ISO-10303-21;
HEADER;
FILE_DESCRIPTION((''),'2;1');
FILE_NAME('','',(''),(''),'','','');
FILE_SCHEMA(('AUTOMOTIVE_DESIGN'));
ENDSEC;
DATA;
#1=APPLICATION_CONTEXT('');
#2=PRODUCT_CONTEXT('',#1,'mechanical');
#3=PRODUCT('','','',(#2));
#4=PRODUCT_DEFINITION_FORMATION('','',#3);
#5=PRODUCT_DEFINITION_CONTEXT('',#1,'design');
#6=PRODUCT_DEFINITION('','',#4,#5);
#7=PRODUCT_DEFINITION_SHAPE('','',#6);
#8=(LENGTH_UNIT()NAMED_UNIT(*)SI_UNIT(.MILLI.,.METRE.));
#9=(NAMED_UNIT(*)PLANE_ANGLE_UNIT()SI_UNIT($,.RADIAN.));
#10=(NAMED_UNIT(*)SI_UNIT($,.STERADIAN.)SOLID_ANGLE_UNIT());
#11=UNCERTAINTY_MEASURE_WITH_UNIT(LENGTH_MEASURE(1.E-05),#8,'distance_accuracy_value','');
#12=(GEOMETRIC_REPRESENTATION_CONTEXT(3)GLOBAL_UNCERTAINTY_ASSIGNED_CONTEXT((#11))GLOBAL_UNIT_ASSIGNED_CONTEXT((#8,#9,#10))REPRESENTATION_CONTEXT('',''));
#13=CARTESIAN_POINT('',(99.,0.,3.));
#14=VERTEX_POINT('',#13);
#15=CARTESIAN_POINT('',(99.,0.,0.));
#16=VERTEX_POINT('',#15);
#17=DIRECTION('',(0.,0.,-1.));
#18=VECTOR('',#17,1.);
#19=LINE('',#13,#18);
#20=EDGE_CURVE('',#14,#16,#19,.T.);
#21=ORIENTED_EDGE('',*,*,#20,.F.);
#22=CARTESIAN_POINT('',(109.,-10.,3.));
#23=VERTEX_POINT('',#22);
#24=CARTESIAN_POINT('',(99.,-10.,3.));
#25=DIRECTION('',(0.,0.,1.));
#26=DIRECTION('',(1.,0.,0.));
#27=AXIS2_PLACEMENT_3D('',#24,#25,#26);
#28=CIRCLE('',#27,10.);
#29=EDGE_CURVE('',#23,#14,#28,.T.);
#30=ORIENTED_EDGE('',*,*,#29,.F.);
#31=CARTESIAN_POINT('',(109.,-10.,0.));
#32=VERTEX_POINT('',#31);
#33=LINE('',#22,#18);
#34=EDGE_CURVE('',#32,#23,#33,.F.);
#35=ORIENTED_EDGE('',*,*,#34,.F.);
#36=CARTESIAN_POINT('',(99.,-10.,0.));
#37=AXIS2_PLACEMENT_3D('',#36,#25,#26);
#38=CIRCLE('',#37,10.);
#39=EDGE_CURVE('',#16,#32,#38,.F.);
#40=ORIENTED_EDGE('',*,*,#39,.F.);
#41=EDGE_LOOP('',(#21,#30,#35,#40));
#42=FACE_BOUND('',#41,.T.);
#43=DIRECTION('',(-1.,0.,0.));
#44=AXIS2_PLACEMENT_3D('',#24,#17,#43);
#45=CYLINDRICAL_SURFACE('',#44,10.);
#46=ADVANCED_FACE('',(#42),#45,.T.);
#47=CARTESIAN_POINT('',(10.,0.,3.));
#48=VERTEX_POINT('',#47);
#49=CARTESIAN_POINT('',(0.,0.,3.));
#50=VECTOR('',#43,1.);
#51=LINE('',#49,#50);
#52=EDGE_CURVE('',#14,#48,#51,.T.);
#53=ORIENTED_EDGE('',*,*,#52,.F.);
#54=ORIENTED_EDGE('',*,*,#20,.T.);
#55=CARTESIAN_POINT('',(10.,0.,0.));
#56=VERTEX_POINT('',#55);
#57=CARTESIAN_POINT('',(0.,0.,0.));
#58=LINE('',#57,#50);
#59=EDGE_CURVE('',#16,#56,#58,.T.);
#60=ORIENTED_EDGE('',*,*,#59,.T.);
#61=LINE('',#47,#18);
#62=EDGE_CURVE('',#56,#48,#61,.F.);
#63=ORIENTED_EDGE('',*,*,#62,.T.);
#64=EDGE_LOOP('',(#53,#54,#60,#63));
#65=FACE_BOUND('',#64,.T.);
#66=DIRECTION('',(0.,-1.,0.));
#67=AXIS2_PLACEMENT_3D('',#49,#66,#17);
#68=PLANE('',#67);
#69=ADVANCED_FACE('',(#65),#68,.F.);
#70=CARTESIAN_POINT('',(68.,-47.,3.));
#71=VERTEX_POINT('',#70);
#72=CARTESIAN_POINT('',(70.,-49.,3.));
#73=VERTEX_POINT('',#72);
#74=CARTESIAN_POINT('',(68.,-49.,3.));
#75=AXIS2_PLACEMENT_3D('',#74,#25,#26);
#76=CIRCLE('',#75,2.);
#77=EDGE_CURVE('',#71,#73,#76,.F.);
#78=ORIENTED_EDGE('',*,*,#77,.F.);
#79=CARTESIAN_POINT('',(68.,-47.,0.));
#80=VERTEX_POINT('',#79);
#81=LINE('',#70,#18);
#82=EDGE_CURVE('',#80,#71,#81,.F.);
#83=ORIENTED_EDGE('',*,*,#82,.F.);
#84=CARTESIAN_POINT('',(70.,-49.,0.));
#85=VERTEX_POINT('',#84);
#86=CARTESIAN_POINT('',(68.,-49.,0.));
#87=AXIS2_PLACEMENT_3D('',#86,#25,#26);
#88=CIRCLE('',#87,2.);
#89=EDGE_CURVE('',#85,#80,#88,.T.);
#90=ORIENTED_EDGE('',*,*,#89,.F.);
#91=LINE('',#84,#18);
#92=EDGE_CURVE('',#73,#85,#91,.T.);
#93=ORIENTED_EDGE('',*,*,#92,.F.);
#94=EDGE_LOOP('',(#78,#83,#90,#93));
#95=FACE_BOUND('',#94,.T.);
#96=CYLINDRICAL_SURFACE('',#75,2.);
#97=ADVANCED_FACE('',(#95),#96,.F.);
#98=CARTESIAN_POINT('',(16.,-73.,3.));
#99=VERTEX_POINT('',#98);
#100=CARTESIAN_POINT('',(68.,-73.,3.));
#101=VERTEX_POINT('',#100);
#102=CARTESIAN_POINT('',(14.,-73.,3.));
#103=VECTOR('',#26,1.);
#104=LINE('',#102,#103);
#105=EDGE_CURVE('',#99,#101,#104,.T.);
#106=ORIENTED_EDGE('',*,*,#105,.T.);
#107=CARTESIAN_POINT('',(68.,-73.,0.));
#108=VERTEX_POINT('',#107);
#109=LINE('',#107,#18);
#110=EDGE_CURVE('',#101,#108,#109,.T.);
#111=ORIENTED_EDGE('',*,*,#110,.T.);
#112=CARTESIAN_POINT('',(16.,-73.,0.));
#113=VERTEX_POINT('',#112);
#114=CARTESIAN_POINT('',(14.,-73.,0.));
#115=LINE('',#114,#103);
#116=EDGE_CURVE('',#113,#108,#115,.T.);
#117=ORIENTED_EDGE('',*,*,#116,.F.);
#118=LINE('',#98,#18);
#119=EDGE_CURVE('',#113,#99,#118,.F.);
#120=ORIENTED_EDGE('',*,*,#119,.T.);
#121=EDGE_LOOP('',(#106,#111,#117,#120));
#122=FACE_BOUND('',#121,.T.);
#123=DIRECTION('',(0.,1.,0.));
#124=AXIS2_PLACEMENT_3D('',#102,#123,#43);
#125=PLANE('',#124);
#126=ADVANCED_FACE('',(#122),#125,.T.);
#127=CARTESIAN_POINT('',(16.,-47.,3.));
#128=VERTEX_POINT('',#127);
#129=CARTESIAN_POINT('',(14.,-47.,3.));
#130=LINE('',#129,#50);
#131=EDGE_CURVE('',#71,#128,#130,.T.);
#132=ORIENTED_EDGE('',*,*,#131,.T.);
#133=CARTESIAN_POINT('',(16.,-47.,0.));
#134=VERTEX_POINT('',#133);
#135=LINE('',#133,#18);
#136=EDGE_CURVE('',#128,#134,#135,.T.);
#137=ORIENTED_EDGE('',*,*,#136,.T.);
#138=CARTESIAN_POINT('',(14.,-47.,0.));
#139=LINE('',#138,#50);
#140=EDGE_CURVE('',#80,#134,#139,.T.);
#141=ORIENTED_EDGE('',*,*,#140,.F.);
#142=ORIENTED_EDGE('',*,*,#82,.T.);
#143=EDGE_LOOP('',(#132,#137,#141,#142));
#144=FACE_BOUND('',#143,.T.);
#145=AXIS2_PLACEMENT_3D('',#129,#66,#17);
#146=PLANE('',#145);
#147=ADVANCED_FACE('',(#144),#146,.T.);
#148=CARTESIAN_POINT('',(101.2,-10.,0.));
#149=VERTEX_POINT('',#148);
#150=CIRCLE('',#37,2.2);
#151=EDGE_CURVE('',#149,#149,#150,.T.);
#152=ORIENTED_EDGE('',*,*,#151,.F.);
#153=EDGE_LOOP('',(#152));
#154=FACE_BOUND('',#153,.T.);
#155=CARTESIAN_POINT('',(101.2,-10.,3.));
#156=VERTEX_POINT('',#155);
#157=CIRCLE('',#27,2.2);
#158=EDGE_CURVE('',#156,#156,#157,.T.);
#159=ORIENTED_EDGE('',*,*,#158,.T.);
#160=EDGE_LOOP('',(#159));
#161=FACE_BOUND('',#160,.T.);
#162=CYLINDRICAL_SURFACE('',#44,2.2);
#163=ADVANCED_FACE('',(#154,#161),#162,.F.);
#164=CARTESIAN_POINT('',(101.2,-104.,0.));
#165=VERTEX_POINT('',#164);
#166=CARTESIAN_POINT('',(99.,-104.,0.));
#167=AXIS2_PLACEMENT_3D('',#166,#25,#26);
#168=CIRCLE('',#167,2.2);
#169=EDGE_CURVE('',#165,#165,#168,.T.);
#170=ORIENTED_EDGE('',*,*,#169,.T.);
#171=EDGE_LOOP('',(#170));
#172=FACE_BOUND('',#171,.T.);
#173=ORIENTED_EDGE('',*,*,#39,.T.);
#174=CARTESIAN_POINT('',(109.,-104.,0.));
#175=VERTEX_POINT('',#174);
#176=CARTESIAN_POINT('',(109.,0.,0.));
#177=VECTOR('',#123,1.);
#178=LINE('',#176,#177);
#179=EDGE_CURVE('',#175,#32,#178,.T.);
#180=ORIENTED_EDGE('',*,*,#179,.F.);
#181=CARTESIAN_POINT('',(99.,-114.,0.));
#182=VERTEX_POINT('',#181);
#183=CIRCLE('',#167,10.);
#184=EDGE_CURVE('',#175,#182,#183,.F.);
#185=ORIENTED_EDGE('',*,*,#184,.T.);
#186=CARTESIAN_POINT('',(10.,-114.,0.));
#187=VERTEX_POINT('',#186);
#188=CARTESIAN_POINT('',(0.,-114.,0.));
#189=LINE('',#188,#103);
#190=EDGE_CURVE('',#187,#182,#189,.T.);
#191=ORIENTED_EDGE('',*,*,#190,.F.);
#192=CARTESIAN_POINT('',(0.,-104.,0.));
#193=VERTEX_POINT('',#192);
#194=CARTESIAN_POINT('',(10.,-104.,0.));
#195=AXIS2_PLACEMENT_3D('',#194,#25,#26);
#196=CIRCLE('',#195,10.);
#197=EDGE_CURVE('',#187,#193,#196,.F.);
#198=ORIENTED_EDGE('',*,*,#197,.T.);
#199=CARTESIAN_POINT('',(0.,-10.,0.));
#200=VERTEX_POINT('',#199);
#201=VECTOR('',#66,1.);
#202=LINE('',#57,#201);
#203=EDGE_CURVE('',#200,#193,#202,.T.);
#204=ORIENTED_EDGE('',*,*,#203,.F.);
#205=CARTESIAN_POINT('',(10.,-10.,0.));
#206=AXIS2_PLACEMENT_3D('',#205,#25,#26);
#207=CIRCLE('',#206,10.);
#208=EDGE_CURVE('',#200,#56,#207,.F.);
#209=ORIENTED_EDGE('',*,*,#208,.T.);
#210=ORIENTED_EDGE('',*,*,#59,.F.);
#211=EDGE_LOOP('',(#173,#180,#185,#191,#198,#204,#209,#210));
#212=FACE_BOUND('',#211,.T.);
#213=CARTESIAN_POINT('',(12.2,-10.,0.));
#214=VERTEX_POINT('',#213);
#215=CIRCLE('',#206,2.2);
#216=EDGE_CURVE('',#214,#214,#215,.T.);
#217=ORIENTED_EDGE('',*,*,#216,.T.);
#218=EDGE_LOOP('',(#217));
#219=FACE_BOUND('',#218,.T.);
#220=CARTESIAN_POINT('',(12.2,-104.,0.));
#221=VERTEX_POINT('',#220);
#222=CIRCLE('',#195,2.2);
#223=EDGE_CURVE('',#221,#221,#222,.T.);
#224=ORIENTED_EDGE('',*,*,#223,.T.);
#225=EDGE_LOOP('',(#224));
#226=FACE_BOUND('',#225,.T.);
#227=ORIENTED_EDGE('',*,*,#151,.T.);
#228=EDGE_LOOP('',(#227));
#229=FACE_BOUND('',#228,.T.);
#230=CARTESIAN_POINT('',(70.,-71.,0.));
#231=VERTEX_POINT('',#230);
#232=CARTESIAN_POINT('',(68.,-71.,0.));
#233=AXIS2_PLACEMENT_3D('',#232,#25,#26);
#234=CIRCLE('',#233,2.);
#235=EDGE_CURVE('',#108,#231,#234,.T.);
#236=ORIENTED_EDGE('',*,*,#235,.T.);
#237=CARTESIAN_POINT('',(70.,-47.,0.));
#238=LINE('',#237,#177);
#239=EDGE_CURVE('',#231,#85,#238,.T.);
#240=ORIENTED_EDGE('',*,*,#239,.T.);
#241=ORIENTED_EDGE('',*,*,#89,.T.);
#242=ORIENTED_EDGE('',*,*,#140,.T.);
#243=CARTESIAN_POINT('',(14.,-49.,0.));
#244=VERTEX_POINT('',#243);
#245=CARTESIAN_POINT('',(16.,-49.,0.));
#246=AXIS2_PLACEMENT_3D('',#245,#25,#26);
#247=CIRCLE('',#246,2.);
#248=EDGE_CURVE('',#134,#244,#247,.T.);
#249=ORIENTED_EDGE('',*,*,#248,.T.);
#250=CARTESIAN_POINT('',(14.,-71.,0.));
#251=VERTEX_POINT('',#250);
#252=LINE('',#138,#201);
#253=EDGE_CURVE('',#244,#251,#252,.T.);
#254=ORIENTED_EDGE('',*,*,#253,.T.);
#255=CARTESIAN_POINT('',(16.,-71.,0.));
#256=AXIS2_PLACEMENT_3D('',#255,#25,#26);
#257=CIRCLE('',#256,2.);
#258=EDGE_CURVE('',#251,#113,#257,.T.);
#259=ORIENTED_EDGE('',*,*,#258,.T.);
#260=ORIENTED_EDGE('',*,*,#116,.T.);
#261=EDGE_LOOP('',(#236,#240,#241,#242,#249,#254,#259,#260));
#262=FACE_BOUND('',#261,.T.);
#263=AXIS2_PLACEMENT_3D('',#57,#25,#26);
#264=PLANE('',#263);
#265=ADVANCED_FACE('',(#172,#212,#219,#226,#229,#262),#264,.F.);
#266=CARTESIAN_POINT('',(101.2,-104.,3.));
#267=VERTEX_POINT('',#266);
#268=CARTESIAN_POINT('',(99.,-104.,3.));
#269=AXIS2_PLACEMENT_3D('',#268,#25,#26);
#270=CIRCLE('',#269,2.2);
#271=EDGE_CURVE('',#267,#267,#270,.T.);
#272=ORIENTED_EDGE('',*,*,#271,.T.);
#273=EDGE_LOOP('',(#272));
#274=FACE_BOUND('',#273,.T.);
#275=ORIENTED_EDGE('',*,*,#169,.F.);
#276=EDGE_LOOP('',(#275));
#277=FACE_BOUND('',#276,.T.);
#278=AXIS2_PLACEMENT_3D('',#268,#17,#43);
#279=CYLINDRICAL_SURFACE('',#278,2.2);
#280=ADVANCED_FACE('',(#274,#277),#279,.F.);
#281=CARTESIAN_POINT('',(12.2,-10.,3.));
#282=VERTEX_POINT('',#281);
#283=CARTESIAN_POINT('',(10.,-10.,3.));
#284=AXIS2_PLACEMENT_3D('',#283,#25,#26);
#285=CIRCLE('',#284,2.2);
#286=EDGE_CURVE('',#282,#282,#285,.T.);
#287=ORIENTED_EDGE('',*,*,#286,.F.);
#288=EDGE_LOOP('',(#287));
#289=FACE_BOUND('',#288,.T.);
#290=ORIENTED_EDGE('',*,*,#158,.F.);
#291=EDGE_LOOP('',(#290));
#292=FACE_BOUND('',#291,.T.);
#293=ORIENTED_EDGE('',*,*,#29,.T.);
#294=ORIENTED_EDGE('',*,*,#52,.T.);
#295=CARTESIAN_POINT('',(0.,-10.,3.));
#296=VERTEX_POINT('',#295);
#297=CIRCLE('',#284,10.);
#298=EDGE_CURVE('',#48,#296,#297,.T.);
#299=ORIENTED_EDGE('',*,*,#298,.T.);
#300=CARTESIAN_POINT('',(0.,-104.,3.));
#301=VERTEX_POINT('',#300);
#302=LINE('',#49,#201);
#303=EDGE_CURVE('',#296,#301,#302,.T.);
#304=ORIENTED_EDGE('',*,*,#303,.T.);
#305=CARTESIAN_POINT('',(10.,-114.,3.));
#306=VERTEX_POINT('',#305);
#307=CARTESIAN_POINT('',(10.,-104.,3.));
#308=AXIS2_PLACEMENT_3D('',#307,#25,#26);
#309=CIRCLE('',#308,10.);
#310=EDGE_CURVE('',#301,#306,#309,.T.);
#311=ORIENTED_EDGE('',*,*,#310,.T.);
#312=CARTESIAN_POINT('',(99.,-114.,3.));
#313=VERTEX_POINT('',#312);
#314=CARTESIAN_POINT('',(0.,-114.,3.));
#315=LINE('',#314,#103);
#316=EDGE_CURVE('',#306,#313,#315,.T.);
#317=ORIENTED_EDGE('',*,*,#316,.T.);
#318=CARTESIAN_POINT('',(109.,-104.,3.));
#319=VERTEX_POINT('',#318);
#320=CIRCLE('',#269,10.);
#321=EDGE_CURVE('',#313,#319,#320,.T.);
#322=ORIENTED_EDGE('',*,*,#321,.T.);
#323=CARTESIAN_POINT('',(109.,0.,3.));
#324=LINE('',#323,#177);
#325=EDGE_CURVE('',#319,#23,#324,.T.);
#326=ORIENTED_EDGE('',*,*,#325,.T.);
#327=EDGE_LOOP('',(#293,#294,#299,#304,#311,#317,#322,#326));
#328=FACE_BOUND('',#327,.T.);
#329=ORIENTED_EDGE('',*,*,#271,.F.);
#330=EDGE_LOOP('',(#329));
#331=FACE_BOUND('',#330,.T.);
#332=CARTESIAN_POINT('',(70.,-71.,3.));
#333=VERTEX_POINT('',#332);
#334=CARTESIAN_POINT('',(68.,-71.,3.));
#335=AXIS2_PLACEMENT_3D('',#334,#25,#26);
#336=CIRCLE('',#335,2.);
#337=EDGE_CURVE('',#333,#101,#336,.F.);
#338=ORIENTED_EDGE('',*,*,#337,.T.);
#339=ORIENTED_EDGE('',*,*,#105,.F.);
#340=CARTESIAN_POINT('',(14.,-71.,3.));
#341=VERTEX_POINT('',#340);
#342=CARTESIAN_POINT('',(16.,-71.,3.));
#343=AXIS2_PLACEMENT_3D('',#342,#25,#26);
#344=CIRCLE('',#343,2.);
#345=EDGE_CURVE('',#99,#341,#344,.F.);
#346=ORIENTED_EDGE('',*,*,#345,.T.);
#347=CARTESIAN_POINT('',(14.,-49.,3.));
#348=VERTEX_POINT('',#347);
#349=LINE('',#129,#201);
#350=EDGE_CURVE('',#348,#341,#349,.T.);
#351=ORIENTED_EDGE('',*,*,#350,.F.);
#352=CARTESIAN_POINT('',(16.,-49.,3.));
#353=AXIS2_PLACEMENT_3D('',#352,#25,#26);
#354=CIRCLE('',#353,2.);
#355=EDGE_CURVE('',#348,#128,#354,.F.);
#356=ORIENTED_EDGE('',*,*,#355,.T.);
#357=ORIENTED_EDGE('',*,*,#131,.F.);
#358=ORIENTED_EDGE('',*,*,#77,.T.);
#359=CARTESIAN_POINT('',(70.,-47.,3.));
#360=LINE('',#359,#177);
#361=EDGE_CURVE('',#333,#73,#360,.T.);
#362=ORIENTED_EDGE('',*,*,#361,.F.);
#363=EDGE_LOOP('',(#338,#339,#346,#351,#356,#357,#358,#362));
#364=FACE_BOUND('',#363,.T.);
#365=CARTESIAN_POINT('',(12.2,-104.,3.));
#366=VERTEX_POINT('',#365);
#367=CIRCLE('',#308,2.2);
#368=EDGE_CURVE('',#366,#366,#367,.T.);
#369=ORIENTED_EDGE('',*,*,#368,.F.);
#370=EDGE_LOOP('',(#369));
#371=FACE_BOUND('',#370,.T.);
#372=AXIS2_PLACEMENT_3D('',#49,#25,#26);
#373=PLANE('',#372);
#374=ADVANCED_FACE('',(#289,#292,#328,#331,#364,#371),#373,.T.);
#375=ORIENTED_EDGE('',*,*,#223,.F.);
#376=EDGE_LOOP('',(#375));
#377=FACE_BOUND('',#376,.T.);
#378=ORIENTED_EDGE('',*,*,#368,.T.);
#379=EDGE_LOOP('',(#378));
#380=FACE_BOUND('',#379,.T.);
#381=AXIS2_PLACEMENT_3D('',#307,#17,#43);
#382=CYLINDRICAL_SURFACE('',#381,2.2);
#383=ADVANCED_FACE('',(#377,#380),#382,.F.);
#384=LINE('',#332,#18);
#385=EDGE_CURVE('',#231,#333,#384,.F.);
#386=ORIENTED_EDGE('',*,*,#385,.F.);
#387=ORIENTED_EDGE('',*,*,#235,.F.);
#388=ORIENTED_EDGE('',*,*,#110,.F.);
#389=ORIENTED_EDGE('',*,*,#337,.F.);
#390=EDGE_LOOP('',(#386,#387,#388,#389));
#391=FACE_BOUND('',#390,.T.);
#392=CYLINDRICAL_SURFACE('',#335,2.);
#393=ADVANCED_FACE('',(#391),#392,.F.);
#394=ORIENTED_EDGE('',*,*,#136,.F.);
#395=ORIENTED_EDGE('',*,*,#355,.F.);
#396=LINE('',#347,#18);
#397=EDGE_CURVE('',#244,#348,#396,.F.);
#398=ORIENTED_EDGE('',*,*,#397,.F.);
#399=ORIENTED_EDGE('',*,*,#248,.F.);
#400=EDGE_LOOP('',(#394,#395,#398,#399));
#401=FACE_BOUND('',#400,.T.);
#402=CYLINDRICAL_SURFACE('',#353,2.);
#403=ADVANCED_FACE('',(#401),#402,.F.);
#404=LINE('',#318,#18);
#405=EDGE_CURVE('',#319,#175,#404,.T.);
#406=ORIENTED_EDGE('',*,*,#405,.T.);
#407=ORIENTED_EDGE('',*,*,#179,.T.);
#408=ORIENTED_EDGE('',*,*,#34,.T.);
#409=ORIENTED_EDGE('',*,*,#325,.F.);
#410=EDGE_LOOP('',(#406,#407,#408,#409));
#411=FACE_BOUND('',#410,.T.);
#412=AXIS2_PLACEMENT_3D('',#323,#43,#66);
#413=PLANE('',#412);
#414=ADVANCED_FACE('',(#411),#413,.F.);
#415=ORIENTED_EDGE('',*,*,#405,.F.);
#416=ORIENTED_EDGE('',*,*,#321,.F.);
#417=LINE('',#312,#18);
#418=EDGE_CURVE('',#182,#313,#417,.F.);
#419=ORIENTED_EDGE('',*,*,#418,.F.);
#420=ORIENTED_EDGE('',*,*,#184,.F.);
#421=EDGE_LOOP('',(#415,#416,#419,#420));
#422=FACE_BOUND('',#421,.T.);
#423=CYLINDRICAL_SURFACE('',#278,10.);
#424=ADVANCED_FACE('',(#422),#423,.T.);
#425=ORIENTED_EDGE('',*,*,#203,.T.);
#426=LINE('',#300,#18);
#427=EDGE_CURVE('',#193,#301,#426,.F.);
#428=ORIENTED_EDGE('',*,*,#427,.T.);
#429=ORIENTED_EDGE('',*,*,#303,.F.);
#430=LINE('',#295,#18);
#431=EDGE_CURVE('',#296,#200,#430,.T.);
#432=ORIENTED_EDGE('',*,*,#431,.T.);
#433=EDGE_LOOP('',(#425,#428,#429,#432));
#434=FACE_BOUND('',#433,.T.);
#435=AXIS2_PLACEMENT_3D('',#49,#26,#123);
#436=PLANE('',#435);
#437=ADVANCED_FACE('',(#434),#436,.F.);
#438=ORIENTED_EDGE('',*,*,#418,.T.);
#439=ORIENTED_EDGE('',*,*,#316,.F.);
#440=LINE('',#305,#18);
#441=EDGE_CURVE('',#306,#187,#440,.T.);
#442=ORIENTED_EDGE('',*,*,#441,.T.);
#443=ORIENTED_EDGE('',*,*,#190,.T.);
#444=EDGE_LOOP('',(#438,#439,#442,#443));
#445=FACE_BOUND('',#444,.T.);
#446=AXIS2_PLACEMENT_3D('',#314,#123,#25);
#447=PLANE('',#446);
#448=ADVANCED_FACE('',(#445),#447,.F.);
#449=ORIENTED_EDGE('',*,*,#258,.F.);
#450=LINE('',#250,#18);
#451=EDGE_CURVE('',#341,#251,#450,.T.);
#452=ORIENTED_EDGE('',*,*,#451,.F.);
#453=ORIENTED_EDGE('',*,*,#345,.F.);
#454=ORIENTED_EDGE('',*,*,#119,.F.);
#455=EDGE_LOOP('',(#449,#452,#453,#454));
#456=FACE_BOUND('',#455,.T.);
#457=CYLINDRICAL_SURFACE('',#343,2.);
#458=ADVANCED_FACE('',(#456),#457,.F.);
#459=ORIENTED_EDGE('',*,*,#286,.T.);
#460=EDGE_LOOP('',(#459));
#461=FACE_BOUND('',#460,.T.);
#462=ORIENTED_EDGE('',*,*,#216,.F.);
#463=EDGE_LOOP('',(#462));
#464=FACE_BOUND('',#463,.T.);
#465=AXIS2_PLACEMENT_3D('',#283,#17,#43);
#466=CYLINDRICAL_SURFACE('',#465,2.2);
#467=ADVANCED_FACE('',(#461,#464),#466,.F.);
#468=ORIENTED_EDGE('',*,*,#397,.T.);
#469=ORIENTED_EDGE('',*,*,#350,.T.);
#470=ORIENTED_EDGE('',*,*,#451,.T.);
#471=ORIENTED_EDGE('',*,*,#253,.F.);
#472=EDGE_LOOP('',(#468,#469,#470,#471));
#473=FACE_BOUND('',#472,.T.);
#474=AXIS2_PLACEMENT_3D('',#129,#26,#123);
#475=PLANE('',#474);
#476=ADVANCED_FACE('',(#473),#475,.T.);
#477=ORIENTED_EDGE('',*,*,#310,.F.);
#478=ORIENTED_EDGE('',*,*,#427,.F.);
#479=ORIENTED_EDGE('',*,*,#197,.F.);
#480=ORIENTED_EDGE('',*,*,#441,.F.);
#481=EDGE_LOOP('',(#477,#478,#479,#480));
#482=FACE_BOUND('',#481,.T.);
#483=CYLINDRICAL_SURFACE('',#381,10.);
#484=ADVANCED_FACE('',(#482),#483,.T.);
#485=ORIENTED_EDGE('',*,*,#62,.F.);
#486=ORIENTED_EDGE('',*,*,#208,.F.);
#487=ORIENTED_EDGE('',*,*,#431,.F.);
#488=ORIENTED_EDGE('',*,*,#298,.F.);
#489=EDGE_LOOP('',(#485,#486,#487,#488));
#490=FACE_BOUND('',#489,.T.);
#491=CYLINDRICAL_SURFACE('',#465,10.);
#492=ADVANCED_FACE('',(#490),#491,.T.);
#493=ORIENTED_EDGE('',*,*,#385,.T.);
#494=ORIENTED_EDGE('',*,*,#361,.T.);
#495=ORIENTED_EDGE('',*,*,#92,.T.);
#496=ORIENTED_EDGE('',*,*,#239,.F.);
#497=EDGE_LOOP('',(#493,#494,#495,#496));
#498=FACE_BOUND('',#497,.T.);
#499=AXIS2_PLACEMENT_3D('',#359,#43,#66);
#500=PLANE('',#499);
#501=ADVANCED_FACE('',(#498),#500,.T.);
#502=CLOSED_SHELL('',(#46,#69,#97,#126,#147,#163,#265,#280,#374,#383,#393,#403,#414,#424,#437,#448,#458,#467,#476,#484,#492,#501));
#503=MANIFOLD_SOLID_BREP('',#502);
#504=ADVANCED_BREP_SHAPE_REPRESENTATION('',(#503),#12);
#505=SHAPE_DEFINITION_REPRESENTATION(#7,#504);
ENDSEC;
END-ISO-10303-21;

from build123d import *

# Parameters (mm, degrees)
SKETCH_1_W      = 109
SKETCH_1_H      = 114
SKETCH_1_R      = 2.2
SKETCH_1_W_2    = 56
SKETCH_1_H_2    = 26
EXTRUDE_1_DEPTH = 3
FILLET_2_R      = 2
FILLET_3_R      = 10


with BuildPart() as part:
    # 草图1 → 凸台-拉伸1 (new body)
    with BuildSketch(Plane.XY):
        with Locations((54.5, -57)):
            Rectangle(SKETCH_1_W, SKETCH_1_H)
        with Locations((99, -10)):
            Circle(SKETCH_1_R, mode=Mode.SUBTRACT)
        with Locations((99, -104)):
            Circle(SKETCH_1_R, mode=Mode.SUBTRACT)
        with Locations((10, -10)):
            Circle(SKETCH_1_R, mode=Mode.SUBTRACT)
        with Locations((10, -104)):
            Circle(SKETCH_1_R, mode=Mode.SUBTRACT)
        with Locations((42, -60)):
            Rectangle(SKETCH_1_W_2, SKETCH_1_H_2, mode=Mode.SUBTRACT)
    extrude(amount=EXTRUDE_1_DEPTH)

    # 圆角2
    fillet_2_edges = [part.edges().sort_by_distance(p)[0] for p in [
        (14, -47, 1.5),
        (14, -73, 1.5),
        (70, -73, 1.5),
        (70, -47, 1.5),
    ]]
    fillet(fillet_2_edges, radius=FILLET_2_R)

    # 圆角3
    fillet_3_edges = [part.edges().sort_by_distance(p)[0] for p in [
        (0, 0, 1.5),
        (109, 0, 1.5),
        (109, -114, 1.5),
        (0, -114, 1.5),
    ]]
    fillet(fillet_3_edges, radius=FILLET_3_R)


solid = part.part
